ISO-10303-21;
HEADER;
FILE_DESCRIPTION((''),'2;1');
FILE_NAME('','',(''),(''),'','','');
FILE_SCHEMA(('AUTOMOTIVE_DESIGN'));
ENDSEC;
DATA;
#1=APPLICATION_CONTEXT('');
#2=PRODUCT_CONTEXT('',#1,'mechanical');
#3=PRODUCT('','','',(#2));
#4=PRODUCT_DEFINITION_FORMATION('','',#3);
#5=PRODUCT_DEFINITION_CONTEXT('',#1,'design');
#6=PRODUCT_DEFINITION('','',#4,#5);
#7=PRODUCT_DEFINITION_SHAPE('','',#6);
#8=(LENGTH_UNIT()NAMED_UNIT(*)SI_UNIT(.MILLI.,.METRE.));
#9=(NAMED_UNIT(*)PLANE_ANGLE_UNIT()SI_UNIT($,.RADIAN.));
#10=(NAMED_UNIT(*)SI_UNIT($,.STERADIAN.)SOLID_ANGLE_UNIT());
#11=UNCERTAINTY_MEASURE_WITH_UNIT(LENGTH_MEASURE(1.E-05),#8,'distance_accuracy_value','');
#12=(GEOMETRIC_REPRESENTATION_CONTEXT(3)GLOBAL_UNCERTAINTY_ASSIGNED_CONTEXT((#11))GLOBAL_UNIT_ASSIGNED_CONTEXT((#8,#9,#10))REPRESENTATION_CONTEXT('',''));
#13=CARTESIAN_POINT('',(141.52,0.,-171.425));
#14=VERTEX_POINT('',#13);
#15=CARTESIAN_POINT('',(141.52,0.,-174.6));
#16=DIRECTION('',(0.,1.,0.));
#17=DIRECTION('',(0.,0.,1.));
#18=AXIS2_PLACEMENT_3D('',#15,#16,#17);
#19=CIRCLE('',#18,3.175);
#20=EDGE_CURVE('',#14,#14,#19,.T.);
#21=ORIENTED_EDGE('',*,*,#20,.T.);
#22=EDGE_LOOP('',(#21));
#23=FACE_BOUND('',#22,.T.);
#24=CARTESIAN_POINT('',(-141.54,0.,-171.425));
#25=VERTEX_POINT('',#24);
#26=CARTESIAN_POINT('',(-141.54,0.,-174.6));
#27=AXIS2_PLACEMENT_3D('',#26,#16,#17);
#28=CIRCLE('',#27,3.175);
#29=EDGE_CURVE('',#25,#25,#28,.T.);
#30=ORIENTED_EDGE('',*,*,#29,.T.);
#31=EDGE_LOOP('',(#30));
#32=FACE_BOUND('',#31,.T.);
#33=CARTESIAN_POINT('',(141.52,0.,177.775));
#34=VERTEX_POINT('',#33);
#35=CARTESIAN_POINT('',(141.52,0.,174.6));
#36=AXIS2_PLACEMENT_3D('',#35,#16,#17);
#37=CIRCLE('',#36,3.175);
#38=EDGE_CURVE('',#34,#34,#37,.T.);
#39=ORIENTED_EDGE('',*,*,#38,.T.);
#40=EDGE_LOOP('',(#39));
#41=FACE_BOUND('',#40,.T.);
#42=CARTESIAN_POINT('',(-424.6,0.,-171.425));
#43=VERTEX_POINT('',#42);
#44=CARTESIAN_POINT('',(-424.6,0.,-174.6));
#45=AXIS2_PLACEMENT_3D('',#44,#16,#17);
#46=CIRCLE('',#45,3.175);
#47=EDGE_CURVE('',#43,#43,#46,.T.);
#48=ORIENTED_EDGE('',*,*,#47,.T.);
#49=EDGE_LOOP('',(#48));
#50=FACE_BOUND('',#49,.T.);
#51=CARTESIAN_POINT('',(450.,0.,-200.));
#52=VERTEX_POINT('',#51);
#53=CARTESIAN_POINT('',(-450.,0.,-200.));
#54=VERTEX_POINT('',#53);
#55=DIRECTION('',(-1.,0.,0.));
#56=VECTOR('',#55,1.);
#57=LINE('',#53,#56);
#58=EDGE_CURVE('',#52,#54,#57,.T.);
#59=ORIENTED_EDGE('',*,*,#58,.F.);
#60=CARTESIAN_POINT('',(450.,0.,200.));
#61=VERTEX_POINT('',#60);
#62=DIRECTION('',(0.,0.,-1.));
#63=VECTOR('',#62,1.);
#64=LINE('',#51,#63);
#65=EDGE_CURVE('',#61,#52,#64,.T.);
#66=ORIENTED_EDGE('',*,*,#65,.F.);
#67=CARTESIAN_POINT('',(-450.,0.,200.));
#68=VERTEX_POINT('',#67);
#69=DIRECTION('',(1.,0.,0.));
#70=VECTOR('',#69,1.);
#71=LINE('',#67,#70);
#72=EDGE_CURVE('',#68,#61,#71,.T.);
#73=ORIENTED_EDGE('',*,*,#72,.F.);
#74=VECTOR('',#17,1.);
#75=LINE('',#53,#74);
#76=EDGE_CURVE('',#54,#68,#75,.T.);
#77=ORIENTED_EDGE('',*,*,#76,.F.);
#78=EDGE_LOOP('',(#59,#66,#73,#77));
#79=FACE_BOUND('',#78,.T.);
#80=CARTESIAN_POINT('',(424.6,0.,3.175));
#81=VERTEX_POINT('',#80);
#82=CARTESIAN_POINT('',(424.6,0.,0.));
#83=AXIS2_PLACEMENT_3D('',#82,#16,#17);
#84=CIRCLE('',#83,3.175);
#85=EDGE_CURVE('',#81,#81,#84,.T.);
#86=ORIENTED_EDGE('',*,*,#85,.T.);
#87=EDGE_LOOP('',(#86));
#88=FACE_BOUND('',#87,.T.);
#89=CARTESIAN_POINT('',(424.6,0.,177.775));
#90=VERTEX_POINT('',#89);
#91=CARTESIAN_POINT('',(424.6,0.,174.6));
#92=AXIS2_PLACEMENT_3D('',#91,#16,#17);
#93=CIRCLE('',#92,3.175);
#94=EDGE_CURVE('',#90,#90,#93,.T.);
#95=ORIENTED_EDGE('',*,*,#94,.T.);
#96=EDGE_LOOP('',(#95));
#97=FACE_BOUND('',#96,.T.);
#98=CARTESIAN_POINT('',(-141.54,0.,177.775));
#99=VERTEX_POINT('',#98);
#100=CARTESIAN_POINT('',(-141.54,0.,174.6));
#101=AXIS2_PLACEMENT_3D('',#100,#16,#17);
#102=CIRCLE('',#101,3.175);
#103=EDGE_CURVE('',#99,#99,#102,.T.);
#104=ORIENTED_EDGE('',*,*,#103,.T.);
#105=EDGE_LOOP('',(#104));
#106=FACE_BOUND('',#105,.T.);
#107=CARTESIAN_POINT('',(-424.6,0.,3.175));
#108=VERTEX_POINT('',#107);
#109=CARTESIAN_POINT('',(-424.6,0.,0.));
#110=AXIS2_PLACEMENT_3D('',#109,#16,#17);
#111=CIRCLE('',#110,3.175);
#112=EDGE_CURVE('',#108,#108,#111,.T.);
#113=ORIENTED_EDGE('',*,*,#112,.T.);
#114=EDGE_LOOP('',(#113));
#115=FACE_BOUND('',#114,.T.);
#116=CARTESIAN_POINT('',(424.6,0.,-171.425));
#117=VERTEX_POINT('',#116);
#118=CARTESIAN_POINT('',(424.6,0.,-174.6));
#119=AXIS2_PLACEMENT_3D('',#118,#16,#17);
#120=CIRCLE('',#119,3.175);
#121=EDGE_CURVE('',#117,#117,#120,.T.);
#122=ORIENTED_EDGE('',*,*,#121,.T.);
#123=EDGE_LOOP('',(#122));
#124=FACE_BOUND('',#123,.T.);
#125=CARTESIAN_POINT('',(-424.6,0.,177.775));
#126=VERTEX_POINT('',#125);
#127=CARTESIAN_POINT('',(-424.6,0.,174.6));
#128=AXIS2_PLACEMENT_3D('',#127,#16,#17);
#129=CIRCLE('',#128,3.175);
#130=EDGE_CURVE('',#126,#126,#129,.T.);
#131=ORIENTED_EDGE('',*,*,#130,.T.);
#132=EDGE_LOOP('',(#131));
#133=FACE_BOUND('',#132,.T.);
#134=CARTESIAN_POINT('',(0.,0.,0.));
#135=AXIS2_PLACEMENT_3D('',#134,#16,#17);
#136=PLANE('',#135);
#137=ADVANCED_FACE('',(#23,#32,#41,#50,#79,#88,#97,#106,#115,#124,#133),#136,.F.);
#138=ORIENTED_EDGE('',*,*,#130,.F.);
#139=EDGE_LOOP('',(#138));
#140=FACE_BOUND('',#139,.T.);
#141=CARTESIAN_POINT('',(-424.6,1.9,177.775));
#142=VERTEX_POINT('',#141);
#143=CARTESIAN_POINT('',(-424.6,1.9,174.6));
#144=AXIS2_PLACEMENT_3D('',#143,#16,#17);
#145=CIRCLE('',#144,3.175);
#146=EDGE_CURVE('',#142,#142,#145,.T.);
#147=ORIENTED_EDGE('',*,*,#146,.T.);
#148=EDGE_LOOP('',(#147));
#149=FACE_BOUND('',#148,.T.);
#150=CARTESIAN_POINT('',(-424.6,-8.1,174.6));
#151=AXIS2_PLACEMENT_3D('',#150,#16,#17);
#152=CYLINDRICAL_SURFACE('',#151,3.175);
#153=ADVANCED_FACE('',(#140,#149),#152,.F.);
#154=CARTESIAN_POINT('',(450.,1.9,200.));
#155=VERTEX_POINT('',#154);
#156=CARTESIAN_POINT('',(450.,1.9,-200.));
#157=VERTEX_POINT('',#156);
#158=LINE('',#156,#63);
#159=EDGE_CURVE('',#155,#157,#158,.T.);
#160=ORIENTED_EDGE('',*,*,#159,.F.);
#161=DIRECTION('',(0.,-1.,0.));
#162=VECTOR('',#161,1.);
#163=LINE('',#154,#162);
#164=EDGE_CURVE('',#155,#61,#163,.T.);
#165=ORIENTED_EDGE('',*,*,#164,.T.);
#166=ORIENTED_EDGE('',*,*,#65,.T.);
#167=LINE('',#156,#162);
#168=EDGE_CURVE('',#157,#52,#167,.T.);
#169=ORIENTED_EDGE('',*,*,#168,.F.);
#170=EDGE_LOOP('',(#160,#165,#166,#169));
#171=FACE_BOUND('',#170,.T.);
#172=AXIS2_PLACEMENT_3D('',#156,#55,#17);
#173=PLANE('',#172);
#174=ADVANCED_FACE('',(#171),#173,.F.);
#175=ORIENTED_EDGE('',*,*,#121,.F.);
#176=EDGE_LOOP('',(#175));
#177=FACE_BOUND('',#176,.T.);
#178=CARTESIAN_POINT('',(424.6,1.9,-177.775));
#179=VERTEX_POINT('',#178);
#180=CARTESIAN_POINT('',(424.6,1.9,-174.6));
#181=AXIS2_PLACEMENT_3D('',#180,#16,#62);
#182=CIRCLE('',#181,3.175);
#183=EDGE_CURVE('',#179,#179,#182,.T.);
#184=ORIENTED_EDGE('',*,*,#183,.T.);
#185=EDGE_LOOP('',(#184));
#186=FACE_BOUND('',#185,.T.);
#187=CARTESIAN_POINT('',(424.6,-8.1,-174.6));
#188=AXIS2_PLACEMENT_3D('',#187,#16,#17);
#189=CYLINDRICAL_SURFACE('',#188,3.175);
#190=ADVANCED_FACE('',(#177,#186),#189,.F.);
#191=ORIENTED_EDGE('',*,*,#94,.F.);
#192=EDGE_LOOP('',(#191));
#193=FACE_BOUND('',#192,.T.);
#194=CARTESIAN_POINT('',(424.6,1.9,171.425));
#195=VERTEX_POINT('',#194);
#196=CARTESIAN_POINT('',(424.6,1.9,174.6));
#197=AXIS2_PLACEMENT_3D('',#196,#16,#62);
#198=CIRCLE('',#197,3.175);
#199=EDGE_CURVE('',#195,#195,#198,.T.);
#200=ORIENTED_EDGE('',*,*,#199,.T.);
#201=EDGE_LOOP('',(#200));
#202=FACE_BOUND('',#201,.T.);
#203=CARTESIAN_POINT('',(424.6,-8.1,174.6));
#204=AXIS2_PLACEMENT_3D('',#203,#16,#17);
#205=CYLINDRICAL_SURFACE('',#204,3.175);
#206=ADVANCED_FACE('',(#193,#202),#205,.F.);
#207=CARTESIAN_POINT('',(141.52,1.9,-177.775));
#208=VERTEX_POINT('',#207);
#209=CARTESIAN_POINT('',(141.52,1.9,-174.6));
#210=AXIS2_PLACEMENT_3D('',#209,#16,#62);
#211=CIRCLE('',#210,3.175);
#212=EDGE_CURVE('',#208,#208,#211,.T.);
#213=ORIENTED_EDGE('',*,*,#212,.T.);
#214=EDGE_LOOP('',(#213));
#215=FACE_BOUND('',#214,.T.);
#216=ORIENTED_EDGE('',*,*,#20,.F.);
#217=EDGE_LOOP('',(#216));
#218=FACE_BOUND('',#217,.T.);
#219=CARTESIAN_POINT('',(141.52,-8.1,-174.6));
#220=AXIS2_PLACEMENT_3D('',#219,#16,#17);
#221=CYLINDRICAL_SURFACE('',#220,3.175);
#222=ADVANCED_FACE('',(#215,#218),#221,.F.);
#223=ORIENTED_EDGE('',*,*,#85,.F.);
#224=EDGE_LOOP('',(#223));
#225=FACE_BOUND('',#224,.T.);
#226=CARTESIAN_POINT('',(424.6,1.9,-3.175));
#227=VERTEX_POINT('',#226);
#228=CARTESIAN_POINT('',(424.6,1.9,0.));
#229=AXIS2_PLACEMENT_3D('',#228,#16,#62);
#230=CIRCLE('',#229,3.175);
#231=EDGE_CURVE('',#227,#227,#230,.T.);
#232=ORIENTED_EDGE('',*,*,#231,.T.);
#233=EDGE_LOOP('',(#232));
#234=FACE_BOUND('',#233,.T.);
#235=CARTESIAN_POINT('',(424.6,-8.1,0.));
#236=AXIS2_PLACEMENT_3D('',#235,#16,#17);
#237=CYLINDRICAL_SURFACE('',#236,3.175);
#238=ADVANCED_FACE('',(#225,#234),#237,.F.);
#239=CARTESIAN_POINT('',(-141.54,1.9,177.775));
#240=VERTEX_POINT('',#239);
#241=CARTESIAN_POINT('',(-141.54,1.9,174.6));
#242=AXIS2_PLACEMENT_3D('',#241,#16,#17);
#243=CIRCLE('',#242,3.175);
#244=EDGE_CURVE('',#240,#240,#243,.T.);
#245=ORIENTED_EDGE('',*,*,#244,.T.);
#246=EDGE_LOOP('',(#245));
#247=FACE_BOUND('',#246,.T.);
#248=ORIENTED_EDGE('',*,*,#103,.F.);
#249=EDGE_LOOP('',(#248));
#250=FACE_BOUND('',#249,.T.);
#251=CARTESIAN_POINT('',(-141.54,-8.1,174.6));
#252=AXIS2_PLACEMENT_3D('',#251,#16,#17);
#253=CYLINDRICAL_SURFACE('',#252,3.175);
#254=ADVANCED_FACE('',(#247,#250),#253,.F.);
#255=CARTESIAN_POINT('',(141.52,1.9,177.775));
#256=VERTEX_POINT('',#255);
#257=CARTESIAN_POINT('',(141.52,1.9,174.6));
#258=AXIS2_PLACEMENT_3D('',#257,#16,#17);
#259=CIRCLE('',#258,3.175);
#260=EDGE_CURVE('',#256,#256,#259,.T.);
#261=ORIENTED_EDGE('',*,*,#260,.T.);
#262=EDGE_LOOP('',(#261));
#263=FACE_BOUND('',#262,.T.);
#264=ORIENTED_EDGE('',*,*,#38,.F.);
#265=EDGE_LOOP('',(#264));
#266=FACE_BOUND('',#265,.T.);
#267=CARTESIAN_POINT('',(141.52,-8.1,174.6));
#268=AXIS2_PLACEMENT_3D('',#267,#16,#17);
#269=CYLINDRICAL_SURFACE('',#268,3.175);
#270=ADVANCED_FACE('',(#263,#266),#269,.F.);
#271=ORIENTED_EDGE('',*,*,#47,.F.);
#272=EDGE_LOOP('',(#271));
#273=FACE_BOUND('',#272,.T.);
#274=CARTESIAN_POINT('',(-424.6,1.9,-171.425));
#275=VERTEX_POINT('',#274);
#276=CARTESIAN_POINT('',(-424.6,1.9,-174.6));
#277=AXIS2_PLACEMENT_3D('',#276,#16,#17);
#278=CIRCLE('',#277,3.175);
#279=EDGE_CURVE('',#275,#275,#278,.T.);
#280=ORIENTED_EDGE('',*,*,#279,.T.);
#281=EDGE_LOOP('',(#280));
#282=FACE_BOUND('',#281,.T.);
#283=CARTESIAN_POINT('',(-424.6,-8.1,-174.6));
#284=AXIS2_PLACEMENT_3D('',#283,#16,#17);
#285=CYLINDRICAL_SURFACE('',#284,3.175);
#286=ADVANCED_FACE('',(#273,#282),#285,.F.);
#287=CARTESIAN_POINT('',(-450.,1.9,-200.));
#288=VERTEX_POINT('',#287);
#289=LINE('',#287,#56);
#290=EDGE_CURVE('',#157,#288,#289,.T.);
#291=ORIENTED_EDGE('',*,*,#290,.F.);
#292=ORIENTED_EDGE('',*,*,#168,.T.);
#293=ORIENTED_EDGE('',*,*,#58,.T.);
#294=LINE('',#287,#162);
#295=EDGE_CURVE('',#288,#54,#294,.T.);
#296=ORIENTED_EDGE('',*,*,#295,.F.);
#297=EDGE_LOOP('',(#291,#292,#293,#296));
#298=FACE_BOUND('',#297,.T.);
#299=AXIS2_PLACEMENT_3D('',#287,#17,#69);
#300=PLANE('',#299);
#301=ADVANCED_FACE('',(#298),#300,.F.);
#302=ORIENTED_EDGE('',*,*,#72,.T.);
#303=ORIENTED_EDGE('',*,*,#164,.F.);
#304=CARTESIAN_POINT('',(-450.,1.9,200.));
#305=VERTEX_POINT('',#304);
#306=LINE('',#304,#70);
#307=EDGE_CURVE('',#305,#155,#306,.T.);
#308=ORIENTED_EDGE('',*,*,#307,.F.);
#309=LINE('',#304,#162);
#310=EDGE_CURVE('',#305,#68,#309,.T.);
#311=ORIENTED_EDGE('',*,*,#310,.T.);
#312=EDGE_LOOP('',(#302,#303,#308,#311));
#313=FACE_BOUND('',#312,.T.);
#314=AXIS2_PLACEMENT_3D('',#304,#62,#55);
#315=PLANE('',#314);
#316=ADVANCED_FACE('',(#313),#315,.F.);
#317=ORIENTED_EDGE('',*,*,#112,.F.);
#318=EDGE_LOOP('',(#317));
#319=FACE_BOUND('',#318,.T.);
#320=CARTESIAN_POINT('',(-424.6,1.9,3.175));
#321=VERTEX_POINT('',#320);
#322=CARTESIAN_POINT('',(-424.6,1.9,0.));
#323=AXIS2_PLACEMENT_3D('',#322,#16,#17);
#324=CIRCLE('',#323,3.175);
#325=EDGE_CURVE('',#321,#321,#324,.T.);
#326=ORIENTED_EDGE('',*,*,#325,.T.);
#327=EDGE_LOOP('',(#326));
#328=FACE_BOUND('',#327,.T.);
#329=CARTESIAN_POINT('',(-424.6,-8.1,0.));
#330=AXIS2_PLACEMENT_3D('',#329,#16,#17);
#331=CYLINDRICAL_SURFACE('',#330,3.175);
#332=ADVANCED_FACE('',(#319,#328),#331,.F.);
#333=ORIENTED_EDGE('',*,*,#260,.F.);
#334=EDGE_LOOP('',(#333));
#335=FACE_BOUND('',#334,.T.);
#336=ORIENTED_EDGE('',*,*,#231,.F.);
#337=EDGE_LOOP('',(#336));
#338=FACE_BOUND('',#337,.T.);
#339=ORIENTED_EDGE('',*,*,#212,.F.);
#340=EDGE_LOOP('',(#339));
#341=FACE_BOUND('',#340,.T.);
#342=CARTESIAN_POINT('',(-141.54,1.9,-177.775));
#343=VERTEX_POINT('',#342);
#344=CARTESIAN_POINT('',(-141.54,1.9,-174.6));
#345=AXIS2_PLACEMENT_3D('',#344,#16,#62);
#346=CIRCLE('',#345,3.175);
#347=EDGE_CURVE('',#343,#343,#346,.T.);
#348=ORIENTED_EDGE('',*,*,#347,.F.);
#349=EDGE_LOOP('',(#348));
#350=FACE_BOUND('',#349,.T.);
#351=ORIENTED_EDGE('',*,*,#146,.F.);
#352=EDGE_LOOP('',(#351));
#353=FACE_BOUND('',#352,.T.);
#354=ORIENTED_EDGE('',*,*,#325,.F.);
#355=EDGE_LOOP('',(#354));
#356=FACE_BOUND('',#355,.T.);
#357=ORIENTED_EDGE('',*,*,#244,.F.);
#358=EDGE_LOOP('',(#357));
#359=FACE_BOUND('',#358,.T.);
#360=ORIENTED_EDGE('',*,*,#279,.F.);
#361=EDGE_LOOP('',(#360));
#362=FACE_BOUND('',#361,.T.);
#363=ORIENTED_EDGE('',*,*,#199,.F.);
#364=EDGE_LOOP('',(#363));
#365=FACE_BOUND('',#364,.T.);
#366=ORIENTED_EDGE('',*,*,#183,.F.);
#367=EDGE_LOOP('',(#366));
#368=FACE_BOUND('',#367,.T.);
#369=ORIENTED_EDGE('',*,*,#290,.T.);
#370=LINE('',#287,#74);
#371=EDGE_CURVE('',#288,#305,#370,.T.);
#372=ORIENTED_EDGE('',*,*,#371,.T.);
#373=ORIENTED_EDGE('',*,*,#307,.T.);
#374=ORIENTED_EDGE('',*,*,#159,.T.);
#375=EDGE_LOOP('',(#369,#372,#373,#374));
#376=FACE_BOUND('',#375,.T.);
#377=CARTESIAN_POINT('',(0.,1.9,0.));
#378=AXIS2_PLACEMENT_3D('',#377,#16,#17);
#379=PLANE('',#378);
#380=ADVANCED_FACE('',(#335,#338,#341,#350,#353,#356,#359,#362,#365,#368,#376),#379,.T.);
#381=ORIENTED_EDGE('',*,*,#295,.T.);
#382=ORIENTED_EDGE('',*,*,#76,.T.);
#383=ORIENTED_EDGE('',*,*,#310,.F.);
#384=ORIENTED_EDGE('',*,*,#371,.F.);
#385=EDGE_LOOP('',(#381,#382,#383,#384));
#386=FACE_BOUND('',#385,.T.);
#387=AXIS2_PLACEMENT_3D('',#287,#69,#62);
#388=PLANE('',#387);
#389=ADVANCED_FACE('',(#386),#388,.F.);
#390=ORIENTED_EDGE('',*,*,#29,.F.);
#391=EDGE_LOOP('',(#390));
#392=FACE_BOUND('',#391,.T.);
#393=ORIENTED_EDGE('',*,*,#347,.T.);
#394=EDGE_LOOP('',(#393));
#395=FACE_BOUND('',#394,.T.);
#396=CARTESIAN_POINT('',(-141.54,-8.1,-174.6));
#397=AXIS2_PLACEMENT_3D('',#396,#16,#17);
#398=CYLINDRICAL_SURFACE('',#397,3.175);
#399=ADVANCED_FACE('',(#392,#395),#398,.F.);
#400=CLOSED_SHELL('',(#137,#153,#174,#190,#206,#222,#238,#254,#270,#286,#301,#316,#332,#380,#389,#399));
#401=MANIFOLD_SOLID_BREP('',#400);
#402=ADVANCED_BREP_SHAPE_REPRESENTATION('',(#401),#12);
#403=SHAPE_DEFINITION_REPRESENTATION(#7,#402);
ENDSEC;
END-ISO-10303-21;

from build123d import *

# Parameters (mm, degrees)
CROQUIS1_W              = 900
CROQUIS1_H              = 400
SALIENTE_EXTRUIR1_DEPTH = 1.9
CROQUIS3_R              = 3.175
CORTAR_EXTRUIR1_DEPTH   = 10


with BuildPart() as part:
    # Croquis1 → Saliente-Extruir1 (new body)
    with BuildSketch(Plane(origin=(0, 0, 0), x_dir=(1, 0, 0), z_dir=(0, 1, 0))):
        Rectangle(CROQUIS1_W, CROQUIS1_H)
    extrude(amount=SALIENTE_EXTRUIR1_DEPTH)

    # Croquis3 → Cortar-Extruir1 (cut)
    with BuildSketch(Plane(origin=(0, 1.9, 0), x_dir=(1, 0, 0), z_dir=(0, 1, 0))):
        with Locations(Location((-424.6, -174.6, 0), (0, 0, 270))):
            Circle(CROQUIS3_R)
        with Locations(Location((-424.6, 174.6, 0), (0, 0, 270))):
            Circle(CROQUIS3_R)
        with Locations(Location((-424.6, 0, 0), (0, 0, 270))):
            Circle(CROQUIS3_R)
        with Locations(Location((424.6, 174.6, 0), (0, 0, 270))):
            Circle(CROQUIS3_R)
        with Locations(Location((424.6, 0, 0), (0, 0, 270))):
            Circle(CROQUIS3_R)
        with Locations(Location((424.6, -174.6, 0), (0, 0, 270))):
            Circle(CROQUIS3_R)
        with Locations(Location((-141.54, -174.6, 0), (0, 0, 270))):
            Circle(CROQUIS3_R)
        with Locations(Location((141.52, -174.6, 0), (0, 0, 270))):
            Circle(CROQUIS3_R)
        with Locations(Location((141.52, 174.6, 0), (0, 0, 270))):
            Circle(CROQUIS3_R)
        with Locations(Location((-141.54, 174.6, 0), (0, 0, 270))):
            Circle(CROQUIS3_R)
    extrude(amount=-CORTAR_EXTRUIR1_DEPTH, mode=Mode.SUBTRACT)


solid = part.part
